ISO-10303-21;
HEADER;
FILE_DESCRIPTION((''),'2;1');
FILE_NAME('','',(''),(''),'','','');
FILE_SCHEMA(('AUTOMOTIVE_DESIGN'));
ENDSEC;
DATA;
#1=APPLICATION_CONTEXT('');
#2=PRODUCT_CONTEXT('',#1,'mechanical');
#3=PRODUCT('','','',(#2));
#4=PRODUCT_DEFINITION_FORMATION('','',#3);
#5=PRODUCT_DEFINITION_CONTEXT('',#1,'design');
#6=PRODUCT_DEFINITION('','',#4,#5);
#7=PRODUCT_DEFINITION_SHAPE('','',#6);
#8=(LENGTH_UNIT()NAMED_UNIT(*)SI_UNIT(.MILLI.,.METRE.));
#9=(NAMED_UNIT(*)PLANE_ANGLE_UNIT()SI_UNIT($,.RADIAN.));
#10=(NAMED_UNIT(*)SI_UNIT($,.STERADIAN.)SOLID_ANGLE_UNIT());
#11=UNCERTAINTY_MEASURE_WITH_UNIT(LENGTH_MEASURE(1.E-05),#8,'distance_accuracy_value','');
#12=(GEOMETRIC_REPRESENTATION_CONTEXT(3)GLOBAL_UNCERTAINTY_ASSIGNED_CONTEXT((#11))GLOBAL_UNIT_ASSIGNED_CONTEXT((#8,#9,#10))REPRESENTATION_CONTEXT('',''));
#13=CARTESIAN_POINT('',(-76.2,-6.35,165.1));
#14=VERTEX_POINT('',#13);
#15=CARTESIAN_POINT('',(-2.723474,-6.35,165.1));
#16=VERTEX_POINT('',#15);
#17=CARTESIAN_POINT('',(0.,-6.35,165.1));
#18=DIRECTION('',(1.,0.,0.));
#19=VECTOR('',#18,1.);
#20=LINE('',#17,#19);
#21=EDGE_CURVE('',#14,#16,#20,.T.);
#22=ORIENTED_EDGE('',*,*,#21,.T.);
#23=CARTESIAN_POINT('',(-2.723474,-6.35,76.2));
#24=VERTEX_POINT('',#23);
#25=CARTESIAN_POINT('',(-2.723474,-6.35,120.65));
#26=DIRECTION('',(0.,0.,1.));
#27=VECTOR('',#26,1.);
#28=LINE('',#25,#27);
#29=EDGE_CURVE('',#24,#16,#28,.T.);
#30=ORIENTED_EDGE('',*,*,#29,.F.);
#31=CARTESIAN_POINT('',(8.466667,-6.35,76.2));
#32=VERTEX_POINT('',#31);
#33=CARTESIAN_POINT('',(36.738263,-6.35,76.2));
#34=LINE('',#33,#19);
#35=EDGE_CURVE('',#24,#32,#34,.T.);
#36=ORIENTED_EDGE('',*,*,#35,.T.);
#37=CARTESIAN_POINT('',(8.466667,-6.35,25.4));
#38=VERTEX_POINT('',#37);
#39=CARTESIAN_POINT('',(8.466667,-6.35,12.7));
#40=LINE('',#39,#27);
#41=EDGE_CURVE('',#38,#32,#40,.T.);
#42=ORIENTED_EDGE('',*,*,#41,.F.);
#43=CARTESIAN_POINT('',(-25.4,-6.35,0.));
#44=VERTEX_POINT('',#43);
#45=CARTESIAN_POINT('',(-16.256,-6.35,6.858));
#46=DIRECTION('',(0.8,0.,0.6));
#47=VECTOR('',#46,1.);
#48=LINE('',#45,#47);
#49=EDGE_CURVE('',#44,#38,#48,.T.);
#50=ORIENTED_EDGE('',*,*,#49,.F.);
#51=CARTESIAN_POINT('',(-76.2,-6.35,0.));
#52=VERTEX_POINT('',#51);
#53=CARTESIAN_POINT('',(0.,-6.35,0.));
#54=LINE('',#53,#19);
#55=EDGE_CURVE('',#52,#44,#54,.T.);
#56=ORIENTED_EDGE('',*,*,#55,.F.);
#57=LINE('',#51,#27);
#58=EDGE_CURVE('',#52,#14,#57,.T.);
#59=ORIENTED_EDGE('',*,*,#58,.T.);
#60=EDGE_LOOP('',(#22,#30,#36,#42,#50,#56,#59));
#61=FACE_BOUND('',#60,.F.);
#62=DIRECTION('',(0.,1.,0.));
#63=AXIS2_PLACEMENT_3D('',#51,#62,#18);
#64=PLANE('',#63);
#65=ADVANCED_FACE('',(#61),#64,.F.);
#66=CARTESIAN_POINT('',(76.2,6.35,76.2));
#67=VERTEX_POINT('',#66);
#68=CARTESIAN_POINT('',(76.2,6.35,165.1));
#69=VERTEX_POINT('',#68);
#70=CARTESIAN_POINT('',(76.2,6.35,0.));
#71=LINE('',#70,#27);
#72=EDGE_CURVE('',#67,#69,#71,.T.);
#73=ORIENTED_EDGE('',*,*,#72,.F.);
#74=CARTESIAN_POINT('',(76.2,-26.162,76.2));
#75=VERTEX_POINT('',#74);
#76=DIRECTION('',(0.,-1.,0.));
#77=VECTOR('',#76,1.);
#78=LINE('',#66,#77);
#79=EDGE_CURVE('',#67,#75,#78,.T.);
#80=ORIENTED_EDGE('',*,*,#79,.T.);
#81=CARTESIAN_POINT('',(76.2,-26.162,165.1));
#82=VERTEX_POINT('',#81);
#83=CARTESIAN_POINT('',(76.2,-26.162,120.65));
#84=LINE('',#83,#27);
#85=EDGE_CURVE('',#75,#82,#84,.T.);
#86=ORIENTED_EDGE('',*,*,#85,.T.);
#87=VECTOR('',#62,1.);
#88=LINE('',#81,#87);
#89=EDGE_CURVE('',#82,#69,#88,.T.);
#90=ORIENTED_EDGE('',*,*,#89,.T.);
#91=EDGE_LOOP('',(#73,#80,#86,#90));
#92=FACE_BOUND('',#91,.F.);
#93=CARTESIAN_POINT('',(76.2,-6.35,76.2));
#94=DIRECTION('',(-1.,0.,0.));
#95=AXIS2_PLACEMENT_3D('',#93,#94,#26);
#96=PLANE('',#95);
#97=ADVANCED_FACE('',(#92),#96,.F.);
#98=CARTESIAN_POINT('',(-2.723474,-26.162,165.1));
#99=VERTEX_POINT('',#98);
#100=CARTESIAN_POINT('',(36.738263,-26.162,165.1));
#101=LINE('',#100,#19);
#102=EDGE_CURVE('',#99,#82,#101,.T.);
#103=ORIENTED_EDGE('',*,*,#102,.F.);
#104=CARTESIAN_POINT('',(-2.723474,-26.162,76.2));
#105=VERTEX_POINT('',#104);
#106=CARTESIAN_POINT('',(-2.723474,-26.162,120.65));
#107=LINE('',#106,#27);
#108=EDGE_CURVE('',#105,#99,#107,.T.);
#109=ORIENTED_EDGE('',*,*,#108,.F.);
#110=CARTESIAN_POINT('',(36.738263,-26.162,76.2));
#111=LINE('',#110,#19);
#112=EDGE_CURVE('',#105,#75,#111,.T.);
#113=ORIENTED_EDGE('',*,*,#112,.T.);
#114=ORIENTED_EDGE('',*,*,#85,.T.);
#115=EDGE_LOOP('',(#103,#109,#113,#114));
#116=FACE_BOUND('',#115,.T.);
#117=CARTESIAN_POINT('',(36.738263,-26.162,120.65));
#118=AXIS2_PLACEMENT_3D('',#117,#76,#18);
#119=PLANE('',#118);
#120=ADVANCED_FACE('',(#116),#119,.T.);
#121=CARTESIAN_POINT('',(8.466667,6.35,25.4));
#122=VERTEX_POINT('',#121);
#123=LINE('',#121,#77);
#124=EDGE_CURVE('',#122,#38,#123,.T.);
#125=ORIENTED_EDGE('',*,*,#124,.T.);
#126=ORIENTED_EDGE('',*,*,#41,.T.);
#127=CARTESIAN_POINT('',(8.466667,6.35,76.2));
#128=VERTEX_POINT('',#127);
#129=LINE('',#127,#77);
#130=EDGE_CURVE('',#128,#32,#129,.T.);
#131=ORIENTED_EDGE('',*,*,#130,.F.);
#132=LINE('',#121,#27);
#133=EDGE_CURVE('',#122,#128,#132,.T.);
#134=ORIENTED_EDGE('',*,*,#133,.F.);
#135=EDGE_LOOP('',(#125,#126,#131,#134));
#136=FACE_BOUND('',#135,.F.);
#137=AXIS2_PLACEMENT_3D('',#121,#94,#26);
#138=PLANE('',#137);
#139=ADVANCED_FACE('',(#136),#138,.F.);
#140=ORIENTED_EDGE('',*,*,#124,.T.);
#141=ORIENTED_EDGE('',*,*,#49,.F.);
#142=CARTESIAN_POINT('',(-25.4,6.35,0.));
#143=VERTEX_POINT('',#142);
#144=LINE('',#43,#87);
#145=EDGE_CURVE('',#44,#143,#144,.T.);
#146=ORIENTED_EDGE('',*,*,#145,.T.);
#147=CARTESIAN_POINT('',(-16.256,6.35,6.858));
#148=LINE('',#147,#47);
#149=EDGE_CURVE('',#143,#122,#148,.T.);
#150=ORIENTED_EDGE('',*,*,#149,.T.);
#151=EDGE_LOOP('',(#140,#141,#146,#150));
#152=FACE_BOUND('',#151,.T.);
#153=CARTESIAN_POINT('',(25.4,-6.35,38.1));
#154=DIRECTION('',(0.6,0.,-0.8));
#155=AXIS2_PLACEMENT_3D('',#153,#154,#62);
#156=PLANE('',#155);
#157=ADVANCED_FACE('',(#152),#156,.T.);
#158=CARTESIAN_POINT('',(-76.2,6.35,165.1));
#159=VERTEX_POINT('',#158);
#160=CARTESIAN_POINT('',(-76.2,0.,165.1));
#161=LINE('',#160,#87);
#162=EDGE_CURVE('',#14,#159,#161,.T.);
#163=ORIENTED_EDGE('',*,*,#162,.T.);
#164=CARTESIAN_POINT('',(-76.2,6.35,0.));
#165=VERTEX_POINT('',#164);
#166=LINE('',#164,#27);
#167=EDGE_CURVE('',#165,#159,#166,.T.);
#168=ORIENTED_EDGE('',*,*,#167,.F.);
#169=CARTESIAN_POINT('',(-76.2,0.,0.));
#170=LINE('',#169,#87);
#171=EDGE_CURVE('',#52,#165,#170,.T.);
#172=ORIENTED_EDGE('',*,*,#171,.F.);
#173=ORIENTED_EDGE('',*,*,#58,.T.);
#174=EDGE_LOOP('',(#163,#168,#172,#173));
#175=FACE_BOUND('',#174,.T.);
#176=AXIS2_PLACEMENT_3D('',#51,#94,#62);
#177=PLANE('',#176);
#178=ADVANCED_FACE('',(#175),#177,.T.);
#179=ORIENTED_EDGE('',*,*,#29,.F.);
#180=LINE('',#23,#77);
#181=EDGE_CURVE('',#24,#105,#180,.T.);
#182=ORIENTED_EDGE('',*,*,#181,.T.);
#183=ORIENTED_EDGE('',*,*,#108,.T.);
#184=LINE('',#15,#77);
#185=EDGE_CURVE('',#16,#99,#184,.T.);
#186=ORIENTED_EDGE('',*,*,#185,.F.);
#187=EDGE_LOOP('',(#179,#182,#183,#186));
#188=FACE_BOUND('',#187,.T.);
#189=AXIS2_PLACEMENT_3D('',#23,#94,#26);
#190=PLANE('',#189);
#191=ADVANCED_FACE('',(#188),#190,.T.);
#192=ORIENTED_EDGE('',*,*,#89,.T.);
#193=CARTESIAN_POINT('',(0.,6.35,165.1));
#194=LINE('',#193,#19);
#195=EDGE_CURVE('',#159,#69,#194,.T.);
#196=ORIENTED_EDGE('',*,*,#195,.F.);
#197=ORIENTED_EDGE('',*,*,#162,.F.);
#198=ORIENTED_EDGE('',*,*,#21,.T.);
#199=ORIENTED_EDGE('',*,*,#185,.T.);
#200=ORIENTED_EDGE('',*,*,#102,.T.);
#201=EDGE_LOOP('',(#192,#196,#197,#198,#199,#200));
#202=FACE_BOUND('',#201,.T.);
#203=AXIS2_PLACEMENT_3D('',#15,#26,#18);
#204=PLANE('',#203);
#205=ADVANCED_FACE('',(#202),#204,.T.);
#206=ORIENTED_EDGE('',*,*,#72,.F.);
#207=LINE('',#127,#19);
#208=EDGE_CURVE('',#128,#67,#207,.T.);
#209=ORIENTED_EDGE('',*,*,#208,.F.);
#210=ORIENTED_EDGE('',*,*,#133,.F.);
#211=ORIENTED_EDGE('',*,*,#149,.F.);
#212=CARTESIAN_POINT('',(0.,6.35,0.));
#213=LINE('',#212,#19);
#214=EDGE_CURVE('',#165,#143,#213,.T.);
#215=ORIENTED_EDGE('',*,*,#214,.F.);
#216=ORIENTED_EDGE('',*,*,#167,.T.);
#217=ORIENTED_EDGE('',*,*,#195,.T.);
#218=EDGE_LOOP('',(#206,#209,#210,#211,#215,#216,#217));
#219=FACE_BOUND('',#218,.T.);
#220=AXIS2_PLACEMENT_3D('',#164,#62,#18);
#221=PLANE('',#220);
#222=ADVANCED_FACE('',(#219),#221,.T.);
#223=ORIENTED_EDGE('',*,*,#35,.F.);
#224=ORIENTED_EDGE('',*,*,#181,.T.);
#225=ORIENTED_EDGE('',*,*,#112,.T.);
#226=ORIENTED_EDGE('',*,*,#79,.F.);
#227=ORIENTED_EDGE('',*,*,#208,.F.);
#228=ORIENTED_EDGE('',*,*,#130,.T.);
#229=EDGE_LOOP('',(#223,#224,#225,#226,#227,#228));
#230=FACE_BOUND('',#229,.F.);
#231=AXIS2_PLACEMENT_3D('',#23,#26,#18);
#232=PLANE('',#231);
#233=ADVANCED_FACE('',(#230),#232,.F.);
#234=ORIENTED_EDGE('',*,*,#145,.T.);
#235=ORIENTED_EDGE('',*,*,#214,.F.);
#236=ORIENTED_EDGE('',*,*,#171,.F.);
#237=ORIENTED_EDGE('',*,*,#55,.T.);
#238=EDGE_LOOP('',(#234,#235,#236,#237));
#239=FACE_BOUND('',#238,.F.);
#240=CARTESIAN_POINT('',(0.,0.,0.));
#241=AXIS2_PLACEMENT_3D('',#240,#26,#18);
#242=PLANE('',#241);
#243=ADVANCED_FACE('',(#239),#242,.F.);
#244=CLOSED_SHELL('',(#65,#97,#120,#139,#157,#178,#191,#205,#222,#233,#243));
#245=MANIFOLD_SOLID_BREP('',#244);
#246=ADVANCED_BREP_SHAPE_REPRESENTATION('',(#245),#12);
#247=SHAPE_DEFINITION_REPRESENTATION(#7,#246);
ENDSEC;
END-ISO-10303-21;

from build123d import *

# Parameters (mm, degrees)
F0_W     = 152.4
F0_H     = 12.7
F1_DEPTH = 165.1
F2_SIZE2 = 76.2
F2_SIZE  = 101.6
F3_W     = 78.9234735198
F3_H     = 88.9
F4_DEPTH = 19.812
F6_DEPTH = 25.4


with BuildPart() as f1:
    # F0 (on Top) → F1 (new body)
    with BuildSketch(Plane.XY):
        Rectangle(F0_W, F0_H)
    extrude(amount=F1_DEPTH)

    # F2
    f2_edges = [f1.edges().sort_by_distance(p)[0] for p in [
        (76.2, 0, 0),
    ]]
    f2_side = f1.faces().sort_by_distance((0, 0, 0))[0]
    chamfer(f2_edges, length=F2_SIZE, length2=F2_SIZE2, reference=f2_side)

    # F3 (on face) → F4 (join)
    with BuildSketch(Plane.XZ.offset(6.35)):
        with Locations((36.7382632401, 120.65)):
            Rectangle(F3_W, F3_H)
    extrude(amount=F4_DEPTH)

    # F5 (on face) → F6 (cut)
    with BuildSketch(Plane(origin=(0, 6.35, 0), x_dir=(-1, 0, 0), z_dir=(0, 1, 0))):
        Polygon((-8.4666666667, 76.2), (-76.2, 76.2), (-8.4666666667, 25.4), align=None)
    extrude(amount=-F6_DEPTH, mode=Mode.SUBTRACT)


solid = f1.part
